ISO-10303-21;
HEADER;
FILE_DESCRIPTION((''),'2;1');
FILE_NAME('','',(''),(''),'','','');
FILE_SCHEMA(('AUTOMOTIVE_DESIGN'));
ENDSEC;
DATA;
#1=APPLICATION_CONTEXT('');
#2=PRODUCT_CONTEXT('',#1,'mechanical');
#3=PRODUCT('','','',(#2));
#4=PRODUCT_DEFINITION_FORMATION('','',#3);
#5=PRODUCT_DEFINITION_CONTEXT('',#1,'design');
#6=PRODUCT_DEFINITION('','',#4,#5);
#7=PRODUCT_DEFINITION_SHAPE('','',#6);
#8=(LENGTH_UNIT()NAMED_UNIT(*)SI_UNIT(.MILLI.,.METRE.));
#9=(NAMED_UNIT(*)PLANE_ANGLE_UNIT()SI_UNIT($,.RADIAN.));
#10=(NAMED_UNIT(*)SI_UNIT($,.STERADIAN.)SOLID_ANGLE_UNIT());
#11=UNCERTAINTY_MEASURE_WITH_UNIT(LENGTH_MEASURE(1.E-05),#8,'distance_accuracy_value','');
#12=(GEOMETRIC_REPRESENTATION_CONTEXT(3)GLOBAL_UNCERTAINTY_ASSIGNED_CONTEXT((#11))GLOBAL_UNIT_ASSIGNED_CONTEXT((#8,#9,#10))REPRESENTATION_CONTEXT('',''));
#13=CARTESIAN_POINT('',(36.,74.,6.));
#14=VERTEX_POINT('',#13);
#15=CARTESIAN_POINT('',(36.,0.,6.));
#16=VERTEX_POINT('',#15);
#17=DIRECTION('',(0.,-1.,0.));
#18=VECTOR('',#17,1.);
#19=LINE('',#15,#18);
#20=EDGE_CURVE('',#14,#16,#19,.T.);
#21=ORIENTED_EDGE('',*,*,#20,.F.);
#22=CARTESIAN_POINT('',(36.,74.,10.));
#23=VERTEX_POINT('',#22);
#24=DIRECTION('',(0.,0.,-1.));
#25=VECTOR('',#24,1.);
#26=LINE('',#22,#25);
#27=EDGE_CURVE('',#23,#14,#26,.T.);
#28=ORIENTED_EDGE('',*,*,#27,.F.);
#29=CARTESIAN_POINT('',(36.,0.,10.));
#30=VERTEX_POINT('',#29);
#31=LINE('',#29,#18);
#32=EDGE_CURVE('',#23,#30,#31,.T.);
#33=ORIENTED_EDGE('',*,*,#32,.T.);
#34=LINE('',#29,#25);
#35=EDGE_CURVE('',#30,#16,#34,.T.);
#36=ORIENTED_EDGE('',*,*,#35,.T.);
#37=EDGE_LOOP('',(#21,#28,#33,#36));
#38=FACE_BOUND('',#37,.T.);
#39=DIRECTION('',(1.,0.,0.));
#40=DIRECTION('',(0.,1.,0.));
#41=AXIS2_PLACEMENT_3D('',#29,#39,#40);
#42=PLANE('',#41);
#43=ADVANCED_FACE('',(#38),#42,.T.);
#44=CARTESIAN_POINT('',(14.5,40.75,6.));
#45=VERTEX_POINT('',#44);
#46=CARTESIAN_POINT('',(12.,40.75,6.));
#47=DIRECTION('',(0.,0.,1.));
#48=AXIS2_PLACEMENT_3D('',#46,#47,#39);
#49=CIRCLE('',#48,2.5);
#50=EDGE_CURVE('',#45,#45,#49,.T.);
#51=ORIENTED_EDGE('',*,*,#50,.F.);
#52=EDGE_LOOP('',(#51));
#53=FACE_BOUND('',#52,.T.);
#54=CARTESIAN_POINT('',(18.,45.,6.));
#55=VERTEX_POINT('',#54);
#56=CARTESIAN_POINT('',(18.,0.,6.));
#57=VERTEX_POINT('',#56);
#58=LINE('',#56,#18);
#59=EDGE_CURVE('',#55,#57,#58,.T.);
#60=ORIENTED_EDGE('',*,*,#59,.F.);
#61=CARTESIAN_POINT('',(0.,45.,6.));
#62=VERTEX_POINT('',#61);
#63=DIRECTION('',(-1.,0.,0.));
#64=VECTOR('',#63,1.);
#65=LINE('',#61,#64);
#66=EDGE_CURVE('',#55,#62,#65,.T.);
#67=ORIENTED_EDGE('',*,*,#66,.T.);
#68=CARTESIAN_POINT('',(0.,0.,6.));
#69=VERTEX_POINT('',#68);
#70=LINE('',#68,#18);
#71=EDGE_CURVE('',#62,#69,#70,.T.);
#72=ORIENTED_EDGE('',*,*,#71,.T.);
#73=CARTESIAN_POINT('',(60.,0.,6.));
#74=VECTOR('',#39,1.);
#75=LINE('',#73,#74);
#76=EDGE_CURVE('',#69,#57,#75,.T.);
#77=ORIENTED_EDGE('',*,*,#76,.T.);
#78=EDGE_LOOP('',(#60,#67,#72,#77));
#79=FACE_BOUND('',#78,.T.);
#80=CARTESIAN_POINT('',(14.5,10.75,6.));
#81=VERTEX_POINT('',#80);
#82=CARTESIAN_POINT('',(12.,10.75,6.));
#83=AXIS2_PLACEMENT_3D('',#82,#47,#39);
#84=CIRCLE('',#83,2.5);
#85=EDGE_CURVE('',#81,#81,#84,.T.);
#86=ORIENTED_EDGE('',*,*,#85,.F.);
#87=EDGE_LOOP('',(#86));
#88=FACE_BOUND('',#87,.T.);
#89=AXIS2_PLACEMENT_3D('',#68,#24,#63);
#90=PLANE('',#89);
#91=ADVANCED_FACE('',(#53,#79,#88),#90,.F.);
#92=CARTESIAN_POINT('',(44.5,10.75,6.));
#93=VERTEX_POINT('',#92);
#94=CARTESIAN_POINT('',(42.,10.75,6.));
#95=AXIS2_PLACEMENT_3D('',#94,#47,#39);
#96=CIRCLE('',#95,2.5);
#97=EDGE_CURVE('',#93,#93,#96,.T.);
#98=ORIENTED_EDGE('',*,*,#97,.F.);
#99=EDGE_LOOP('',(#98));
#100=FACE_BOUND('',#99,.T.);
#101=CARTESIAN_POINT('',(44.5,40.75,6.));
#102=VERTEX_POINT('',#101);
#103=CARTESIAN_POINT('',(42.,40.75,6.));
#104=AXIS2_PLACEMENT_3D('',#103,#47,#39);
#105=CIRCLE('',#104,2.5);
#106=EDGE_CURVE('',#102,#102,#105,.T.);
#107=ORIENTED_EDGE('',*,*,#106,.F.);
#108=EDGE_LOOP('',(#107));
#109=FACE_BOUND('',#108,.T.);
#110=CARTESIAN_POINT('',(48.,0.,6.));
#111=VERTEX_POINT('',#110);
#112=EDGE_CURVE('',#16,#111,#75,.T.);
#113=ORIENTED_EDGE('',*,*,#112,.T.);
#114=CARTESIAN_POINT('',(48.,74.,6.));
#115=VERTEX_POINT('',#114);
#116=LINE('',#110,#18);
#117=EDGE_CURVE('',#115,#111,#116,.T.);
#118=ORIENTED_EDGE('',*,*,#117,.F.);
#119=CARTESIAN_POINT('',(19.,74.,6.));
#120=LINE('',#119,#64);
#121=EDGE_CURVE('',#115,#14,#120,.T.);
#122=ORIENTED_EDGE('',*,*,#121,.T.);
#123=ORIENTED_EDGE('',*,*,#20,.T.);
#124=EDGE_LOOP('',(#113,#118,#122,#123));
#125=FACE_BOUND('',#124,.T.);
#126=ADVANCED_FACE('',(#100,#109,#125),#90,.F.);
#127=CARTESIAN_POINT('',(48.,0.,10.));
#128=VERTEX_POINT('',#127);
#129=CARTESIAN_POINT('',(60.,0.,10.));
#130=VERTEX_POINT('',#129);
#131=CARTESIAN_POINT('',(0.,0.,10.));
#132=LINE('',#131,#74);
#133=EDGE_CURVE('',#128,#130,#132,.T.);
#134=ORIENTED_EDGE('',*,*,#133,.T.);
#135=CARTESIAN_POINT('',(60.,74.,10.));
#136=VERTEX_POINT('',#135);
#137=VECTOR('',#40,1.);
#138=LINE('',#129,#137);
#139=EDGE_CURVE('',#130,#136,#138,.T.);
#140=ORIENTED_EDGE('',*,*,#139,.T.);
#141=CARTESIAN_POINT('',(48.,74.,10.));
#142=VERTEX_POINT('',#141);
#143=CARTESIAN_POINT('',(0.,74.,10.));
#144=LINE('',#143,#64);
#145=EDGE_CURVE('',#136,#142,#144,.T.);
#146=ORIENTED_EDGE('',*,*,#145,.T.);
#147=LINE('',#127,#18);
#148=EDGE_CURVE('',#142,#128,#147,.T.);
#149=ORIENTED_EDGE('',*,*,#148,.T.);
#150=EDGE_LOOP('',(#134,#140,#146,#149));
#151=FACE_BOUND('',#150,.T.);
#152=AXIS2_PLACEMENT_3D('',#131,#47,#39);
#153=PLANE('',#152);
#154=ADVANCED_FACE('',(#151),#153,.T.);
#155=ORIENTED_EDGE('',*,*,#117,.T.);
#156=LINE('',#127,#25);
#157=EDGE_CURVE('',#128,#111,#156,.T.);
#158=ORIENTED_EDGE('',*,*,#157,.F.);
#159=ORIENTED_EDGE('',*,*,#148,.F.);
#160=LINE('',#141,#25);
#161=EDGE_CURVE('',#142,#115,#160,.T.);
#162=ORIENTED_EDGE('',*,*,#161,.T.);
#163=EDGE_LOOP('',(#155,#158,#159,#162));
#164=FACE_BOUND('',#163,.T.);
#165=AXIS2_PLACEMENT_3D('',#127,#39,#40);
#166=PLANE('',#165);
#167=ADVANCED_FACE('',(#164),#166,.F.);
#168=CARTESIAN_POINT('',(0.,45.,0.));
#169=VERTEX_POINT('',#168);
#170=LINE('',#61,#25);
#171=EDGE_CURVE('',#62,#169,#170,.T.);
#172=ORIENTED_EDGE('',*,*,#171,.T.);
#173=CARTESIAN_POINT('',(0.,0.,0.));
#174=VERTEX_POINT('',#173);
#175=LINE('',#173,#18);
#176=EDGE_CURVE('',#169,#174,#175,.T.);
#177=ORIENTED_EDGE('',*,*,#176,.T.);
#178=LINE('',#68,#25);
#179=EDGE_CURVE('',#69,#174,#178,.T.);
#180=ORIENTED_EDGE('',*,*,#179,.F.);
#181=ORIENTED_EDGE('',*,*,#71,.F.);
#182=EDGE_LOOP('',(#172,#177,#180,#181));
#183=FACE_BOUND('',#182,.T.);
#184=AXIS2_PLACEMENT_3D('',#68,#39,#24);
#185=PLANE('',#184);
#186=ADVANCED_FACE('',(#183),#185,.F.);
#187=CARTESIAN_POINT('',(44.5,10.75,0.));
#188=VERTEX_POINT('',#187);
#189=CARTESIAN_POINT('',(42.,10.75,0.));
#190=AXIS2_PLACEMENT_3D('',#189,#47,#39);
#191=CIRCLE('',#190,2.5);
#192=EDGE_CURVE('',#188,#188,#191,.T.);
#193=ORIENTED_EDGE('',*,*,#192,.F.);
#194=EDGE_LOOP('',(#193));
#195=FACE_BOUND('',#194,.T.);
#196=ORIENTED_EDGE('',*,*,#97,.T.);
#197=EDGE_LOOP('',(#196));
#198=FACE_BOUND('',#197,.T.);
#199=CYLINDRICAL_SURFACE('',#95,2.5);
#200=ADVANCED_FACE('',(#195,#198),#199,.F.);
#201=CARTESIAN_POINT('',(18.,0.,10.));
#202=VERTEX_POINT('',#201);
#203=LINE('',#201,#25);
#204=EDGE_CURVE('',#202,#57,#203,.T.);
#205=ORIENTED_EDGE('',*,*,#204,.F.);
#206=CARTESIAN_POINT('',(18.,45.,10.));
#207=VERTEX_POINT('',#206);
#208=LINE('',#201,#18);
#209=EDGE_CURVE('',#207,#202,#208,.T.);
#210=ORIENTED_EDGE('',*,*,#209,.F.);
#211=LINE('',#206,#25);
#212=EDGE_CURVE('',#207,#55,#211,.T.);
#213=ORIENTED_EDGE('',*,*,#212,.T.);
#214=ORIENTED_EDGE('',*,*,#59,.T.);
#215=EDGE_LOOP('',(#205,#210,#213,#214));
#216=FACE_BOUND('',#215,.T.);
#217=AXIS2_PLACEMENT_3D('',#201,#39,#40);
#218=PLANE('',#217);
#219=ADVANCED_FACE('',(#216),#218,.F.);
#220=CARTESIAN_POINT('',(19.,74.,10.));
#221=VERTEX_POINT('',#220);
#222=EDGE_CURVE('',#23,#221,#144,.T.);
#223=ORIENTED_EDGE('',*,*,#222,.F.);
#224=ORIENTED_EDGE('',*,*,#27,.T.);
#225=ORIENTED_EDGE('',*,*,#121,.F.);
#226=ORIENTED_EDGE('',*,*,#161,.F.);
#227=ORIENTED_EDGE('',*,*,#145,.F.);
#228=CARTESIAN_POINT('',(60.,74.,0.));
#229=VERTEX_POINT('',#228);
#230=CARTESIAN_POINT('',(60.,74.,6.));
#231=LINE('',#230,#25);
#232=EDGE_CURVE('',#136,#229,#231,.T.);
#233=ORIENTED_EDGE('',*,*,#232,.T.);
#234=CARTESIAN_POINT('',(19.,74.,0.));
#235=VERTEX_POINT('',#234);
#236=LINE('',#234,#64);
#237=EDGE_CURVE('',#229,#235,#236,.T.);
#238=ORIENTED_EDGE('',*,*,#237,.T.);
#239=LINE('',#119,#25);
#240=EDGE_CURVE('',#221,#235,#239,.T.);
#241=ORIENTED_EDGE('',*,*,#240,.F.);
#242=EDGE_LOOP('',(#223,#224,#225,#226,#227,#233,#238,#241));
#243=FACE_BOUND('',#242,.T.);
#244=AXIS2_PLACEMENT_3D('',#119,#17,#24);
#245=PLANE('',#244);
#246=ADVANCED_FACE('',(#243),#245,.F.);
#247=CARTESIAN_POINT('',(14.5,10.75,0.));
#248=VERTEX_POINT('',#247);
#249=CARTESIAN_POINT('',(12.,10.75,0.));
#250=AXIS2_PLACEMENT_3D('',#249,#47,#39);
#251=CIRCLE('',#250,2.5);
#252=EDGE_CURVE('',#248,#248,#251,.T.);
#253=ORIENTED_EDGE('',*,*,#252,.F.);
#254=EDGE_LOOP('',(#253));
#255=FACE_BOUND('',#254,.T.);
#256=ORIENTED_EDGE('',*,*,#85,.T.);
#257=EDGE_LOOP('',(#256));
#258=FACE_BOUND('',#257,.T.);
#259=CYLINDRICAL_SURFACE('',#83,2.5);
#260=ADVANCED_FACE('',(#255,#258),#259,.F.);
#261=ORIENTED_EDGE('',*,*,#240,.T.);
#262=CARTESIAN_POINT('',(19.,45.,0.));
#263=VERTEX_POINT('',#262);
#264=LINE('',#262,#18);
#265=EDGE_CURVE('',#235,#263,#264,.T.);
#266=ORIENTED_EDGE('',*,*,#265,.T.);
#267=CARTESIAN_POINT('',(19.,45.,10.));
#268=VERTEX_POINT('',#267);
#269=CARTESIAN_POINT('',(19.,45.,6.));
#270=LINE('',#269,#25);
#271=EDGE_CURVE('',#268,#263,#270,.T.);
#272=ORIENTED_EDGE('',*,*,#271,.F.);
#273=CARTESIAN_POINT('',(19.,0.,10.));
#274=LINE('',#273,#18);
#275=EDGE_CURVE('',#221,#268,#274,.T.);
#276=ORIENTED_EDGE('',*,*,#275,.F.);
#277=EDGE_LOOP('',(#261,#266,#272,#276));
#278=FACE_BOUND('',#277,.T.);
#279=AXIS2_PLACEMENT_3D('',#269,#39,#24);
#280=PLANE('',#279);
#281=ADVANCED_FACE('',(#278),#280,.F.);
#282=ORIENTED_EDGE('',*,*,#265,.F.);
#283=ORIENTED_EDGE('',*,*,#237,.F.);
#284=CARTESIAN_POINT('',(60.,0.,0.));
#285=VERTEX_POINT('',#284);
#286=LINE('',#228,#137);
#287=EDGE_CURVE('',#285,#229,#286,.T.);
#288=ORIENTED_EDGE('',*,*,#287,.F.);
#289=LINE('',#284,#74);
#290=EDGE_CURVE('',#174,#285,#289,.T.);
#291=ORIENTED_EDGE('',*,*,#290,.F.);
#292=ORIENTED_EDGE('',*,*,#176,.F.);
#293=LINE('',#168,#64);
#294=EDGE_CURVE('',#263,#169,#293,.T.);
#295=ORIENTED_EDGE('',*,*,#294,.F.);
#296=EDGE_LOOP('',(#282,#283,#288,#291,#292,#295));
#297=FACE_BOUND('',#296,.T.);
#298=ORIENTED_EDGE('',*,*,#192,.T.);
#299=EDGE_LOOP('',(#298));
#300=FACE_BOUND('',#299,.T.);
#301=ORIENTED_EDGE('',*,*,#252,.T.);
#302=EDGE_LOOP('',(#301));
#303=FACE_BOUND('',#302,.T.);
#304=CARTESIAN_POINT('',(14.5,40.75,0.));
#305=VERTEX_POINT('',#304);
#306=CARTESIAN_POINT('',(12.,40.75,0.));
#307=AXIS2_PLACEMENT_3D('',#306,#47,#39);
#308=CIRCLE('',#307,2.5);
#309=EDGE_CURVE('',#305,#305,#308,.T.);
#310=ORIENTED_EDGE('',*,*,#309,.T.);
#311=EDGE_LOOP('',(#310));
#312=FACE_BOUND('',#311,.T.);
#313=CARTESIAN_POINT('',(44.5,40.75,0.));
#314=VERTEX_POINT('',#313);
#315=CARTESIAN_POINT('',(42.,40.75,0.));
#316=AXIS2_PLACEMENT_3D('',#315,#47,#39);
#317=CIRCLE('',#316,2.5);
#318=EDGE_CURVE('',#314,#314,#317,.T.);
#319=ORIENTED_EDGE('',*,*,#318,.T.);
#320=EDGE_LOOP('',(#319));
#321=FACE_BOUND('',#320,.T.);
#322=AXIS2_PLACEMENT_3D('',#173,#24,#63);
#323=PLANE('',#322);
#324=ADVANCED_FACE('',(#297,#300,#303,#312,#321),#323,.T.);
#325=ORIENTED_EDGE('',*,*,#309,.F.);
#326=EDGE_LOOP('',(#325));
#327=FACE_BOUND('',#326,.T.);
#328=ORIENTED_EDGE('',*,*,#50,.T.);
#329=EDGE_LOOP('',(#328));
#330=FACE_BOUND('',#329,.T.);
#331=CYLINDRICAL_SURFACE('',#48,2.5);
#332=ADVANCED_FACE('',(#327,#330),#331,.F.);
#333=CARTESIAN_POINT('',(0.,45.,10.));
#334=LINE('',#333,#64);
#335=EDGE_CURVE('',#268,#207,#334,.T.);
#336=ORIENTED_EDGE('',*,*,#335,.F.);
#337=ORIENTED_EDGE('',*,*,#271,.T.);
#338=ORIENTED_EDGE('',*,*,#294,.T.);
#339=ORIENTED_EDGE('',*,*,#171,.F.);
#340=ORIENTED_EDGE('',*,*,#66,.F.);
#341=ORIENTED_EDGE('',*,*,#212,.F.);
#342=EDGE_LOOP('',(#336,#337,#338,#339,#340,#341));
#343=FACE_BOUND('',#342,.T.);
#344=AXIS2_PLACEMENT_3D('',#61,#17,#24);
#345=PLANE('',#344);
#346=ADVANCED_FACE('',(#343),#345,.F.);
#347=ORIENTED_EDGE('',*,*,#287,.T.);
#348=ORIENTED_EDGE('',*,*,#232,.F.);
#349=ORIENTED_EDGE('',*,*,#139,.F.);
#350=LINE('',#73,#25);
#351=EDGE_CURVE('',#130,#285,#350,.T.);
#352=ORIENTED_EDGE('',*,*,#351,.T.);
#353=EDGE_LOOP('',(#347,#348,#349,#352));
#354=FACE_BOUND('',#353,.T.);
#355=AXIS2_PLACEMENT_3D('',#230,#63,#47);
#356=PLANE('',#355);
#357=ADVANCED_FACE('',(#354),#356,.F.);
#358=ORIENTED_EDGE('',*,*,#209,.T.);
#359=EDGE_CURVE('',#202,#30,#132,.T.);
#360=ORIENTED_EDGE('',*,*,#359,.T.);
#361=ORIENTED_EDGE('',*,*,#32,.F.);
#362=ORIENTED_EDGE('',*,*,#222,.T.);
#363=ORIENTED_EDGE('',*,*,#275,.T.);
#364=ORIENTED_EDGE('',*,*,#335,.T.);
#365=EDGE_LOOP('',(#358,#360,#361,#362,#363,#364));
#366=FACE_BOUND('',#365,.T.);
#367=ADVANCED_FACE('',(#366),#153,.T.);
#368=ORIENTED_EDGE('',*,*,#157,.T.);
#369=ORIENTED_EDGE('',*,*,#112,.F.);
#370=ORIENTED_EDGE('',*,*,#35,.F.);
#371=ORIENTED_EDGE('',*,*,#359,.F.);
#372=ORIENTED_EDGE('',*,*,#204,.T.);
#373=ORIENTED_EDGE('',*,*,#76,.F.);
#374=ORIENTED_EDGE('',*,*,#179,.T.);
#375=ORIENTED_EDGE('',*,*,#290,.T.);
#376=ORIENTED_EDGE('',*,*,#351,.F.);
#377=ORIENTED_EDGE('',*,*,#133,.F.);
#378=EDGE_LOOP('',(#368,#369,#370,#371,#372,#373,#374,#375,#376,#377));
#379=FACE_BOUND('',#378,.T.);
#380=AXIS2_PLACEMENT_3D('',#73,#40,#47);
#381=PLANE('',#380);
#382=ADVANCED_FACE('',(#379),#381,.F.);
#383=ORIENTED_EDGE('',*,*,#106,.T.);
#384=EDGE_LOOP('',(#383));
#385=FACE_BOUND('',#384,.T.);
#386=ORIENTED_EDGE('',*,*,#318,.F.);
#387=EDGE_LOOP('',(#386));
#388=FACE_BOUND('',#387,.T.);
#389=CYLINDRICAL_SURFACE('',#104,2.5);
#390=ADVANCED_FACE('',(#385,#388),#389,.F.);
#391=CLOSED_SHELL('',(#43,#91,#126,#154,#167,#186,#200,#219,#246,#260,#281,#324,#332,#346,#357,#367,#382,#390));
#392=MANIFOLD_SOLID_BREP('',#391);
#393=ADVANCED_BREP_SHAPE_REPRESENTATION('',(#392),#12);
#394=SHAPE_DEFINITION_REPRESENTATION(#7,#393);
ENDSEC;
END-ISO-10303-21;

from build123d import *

# Parameters (mm, degrees)
BOSS_EXTRUDE1_DEPTH      = 6
SKETCH2_W                = 12
SKETCH2_H                = 74
SKETCH2_W_2              = 1
SKETCH2_H_2              = 45
BOSS_EXTRUDE2_DEPTH      = 4
F_5_0_5_DIAMETER_HOLE1_D = 5
F_5_0_5_DIAMETER_HOLE2_D = 5


with BuildPart() as part:
    # Sketch1 → Boss-Extrude1 (new body)
    with BuildSketch(Plane.XY):
        Polygon((0, 0), (0, 45), (19, 45), (19, 74), (60, 74), (60, 0), align=None)
    extrude(amount=BOSS_EXTRUDE1_DEPTH)

    # Sketch2 → Boss-Extrude2 (add)
    with BuildSketch(Plane.XY.offset(6)):
        Polygon((36, 0), (36, 74), (19, 74), (19, 45), (19, 0), align=None)
        with Locations((54, 37)):
            Rectangle(SKETCH2_W, SKETCH2_H)
        with Locations((18.5, 22.5)):
            Rectangle(SKETCH2_W_2, SKETCH2_H_2)
    extrude(amount=BOSS_EXTRUDE2_DEPTH)

    # Ø5.0 (5) Diameter Hole1 (through all)
    with Locations(Plane.XY.offset(6)):
        with Locations((42, 40.75), (42, 10.75)):
            Hole(F_5_0_5_DIAMETER_HOLE1_D / 2)

    # Ø5.0 (5) Diameter Hole2 (through all)
    with Locations(Plane.XY.offset(6)):
        with Locations((12, 10.75), (12, 40.75)):
            Hole(F_5_0_5_DIAMETER_HOLE2_D / 2)


solid = part.part
